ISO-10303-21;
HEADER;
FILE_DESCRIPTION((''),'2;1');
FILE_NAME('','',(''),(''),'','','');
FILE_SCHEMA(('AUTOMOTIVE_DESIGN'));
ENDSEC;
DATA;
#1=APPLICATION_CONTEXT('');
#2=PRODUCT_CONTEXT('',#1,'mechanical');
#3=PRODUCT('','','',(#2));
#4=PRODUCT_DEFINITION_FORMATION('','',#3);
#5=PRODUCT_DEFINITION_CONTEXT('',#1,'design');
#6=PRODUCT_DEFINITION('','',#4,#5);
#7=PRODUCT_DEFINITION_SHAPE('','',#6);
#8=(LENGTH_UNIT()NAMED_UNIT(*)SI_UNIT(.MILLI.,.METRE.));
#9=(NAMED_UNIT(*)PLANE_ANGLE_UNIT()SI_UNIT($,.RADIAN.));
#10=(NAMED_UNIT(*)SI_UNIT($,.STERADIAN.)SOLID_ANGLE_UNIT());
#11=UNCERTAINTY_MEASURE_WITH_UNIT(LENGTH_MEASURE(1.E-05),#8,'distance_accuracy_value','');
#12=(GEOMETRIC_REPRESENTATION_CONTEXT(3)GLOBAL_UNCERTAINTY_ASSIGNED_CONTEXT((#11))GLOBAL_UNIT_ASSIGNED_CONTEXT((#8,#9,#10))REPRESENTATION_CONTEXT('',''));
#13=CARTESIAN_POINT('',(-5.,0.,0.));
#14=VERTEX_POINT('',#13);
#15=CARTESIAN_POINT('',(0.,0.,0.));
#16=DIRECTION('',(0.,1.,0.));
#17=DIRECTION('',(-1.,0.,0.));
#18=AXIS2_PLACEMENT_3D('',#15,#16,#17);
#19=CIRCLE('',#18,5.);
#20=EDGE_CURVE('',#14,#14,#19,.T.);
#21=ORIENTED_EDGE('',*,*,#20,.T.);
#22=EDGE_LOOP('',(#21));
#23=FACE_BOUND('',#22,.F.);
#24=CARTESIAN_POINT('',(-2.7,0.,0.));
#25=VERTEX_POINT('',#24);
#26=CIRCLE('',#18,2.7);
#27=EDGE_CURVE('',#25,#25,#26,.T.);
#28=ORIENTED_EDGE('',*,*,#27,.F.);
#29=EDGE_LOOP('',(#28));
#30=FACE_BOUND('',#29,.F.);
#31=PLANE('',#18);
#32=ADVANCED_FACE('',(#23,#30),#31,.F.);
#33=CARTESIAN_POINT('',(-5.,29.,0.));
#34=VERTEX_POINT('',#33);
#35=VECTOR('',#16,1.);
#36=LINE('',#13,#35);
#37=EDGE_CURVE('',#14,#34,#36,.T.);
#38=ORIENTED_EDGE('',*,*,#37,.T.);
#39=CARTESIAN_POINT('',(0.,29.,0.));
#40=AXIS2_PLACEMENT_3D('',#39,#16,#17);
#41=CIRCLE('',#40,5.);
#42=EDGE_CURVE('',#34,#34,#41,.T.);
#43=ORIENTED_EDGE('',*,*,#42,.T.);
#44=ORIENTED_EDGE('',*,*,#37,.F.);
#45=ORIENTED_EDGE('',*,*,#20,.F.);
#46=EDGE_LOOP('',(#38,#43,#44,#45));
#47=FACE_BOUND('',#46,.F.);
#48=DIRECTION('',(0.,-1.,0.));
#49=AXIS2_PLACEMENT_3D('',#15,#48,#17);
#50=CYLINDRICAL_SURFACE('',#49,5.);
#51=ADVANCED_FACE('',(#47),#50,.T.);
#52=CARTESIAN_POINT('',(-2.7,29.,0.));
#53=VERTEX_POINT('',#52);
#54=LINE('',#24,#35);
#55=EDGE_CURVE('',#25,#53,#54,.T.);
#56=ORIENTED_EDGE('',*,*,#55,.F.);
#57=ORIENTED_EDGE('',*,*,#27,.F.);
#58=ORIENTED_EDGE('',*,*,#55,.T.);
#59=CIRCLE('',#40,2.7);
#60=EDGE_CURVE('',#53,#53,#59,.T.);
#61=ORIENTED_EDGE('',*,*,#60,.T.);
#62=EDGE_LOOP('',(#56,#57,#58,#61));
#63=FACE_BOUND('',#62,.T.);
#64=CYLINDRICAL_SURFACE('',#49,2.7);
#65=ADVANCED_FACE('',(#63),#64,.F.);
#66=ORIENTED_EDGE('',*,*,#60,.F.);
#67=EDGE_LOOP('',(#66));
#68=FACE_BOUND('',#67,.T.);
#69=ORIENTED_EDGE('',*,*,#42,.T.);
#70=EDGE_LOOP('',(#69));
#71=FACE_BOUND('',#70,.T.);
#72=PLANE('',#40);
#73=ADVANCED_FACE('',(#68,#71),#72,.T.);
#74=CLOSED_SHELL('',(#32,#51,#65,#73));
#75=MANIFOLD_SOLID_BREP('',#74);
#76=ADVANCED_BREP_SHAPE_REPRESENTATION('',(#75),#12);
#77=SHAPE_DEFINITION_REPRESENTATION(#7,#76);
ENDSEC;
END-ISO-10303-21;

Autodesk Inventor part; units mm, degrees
ref_plane "YZ Plane" through (0, 0, 0) normal (1, 0, 0) x (0, 1, 0)
ref_plane "XZ Plane" through (0, 0, 0) normal (0, 1, 0) x (-1, 0, 0)
ref_plane "XY Plane" through (0, 0, 0) normal (0, 0, 1) x (1, 0, 0)
sketch "Boceto1" plane through (0, 0, 0) normal (0, 1, 0) x (-1, 0, 0)
  circle A0 centre (0, 0) radius 5
  circle A1 centre (0, 0) radius 2.7
  dimension "d0" = 5.4
  dimension "d1" = 10
extrude "Extrusión1" add sketch "Boceto1" along normal blind 29
properties part number "Pulley separator"
